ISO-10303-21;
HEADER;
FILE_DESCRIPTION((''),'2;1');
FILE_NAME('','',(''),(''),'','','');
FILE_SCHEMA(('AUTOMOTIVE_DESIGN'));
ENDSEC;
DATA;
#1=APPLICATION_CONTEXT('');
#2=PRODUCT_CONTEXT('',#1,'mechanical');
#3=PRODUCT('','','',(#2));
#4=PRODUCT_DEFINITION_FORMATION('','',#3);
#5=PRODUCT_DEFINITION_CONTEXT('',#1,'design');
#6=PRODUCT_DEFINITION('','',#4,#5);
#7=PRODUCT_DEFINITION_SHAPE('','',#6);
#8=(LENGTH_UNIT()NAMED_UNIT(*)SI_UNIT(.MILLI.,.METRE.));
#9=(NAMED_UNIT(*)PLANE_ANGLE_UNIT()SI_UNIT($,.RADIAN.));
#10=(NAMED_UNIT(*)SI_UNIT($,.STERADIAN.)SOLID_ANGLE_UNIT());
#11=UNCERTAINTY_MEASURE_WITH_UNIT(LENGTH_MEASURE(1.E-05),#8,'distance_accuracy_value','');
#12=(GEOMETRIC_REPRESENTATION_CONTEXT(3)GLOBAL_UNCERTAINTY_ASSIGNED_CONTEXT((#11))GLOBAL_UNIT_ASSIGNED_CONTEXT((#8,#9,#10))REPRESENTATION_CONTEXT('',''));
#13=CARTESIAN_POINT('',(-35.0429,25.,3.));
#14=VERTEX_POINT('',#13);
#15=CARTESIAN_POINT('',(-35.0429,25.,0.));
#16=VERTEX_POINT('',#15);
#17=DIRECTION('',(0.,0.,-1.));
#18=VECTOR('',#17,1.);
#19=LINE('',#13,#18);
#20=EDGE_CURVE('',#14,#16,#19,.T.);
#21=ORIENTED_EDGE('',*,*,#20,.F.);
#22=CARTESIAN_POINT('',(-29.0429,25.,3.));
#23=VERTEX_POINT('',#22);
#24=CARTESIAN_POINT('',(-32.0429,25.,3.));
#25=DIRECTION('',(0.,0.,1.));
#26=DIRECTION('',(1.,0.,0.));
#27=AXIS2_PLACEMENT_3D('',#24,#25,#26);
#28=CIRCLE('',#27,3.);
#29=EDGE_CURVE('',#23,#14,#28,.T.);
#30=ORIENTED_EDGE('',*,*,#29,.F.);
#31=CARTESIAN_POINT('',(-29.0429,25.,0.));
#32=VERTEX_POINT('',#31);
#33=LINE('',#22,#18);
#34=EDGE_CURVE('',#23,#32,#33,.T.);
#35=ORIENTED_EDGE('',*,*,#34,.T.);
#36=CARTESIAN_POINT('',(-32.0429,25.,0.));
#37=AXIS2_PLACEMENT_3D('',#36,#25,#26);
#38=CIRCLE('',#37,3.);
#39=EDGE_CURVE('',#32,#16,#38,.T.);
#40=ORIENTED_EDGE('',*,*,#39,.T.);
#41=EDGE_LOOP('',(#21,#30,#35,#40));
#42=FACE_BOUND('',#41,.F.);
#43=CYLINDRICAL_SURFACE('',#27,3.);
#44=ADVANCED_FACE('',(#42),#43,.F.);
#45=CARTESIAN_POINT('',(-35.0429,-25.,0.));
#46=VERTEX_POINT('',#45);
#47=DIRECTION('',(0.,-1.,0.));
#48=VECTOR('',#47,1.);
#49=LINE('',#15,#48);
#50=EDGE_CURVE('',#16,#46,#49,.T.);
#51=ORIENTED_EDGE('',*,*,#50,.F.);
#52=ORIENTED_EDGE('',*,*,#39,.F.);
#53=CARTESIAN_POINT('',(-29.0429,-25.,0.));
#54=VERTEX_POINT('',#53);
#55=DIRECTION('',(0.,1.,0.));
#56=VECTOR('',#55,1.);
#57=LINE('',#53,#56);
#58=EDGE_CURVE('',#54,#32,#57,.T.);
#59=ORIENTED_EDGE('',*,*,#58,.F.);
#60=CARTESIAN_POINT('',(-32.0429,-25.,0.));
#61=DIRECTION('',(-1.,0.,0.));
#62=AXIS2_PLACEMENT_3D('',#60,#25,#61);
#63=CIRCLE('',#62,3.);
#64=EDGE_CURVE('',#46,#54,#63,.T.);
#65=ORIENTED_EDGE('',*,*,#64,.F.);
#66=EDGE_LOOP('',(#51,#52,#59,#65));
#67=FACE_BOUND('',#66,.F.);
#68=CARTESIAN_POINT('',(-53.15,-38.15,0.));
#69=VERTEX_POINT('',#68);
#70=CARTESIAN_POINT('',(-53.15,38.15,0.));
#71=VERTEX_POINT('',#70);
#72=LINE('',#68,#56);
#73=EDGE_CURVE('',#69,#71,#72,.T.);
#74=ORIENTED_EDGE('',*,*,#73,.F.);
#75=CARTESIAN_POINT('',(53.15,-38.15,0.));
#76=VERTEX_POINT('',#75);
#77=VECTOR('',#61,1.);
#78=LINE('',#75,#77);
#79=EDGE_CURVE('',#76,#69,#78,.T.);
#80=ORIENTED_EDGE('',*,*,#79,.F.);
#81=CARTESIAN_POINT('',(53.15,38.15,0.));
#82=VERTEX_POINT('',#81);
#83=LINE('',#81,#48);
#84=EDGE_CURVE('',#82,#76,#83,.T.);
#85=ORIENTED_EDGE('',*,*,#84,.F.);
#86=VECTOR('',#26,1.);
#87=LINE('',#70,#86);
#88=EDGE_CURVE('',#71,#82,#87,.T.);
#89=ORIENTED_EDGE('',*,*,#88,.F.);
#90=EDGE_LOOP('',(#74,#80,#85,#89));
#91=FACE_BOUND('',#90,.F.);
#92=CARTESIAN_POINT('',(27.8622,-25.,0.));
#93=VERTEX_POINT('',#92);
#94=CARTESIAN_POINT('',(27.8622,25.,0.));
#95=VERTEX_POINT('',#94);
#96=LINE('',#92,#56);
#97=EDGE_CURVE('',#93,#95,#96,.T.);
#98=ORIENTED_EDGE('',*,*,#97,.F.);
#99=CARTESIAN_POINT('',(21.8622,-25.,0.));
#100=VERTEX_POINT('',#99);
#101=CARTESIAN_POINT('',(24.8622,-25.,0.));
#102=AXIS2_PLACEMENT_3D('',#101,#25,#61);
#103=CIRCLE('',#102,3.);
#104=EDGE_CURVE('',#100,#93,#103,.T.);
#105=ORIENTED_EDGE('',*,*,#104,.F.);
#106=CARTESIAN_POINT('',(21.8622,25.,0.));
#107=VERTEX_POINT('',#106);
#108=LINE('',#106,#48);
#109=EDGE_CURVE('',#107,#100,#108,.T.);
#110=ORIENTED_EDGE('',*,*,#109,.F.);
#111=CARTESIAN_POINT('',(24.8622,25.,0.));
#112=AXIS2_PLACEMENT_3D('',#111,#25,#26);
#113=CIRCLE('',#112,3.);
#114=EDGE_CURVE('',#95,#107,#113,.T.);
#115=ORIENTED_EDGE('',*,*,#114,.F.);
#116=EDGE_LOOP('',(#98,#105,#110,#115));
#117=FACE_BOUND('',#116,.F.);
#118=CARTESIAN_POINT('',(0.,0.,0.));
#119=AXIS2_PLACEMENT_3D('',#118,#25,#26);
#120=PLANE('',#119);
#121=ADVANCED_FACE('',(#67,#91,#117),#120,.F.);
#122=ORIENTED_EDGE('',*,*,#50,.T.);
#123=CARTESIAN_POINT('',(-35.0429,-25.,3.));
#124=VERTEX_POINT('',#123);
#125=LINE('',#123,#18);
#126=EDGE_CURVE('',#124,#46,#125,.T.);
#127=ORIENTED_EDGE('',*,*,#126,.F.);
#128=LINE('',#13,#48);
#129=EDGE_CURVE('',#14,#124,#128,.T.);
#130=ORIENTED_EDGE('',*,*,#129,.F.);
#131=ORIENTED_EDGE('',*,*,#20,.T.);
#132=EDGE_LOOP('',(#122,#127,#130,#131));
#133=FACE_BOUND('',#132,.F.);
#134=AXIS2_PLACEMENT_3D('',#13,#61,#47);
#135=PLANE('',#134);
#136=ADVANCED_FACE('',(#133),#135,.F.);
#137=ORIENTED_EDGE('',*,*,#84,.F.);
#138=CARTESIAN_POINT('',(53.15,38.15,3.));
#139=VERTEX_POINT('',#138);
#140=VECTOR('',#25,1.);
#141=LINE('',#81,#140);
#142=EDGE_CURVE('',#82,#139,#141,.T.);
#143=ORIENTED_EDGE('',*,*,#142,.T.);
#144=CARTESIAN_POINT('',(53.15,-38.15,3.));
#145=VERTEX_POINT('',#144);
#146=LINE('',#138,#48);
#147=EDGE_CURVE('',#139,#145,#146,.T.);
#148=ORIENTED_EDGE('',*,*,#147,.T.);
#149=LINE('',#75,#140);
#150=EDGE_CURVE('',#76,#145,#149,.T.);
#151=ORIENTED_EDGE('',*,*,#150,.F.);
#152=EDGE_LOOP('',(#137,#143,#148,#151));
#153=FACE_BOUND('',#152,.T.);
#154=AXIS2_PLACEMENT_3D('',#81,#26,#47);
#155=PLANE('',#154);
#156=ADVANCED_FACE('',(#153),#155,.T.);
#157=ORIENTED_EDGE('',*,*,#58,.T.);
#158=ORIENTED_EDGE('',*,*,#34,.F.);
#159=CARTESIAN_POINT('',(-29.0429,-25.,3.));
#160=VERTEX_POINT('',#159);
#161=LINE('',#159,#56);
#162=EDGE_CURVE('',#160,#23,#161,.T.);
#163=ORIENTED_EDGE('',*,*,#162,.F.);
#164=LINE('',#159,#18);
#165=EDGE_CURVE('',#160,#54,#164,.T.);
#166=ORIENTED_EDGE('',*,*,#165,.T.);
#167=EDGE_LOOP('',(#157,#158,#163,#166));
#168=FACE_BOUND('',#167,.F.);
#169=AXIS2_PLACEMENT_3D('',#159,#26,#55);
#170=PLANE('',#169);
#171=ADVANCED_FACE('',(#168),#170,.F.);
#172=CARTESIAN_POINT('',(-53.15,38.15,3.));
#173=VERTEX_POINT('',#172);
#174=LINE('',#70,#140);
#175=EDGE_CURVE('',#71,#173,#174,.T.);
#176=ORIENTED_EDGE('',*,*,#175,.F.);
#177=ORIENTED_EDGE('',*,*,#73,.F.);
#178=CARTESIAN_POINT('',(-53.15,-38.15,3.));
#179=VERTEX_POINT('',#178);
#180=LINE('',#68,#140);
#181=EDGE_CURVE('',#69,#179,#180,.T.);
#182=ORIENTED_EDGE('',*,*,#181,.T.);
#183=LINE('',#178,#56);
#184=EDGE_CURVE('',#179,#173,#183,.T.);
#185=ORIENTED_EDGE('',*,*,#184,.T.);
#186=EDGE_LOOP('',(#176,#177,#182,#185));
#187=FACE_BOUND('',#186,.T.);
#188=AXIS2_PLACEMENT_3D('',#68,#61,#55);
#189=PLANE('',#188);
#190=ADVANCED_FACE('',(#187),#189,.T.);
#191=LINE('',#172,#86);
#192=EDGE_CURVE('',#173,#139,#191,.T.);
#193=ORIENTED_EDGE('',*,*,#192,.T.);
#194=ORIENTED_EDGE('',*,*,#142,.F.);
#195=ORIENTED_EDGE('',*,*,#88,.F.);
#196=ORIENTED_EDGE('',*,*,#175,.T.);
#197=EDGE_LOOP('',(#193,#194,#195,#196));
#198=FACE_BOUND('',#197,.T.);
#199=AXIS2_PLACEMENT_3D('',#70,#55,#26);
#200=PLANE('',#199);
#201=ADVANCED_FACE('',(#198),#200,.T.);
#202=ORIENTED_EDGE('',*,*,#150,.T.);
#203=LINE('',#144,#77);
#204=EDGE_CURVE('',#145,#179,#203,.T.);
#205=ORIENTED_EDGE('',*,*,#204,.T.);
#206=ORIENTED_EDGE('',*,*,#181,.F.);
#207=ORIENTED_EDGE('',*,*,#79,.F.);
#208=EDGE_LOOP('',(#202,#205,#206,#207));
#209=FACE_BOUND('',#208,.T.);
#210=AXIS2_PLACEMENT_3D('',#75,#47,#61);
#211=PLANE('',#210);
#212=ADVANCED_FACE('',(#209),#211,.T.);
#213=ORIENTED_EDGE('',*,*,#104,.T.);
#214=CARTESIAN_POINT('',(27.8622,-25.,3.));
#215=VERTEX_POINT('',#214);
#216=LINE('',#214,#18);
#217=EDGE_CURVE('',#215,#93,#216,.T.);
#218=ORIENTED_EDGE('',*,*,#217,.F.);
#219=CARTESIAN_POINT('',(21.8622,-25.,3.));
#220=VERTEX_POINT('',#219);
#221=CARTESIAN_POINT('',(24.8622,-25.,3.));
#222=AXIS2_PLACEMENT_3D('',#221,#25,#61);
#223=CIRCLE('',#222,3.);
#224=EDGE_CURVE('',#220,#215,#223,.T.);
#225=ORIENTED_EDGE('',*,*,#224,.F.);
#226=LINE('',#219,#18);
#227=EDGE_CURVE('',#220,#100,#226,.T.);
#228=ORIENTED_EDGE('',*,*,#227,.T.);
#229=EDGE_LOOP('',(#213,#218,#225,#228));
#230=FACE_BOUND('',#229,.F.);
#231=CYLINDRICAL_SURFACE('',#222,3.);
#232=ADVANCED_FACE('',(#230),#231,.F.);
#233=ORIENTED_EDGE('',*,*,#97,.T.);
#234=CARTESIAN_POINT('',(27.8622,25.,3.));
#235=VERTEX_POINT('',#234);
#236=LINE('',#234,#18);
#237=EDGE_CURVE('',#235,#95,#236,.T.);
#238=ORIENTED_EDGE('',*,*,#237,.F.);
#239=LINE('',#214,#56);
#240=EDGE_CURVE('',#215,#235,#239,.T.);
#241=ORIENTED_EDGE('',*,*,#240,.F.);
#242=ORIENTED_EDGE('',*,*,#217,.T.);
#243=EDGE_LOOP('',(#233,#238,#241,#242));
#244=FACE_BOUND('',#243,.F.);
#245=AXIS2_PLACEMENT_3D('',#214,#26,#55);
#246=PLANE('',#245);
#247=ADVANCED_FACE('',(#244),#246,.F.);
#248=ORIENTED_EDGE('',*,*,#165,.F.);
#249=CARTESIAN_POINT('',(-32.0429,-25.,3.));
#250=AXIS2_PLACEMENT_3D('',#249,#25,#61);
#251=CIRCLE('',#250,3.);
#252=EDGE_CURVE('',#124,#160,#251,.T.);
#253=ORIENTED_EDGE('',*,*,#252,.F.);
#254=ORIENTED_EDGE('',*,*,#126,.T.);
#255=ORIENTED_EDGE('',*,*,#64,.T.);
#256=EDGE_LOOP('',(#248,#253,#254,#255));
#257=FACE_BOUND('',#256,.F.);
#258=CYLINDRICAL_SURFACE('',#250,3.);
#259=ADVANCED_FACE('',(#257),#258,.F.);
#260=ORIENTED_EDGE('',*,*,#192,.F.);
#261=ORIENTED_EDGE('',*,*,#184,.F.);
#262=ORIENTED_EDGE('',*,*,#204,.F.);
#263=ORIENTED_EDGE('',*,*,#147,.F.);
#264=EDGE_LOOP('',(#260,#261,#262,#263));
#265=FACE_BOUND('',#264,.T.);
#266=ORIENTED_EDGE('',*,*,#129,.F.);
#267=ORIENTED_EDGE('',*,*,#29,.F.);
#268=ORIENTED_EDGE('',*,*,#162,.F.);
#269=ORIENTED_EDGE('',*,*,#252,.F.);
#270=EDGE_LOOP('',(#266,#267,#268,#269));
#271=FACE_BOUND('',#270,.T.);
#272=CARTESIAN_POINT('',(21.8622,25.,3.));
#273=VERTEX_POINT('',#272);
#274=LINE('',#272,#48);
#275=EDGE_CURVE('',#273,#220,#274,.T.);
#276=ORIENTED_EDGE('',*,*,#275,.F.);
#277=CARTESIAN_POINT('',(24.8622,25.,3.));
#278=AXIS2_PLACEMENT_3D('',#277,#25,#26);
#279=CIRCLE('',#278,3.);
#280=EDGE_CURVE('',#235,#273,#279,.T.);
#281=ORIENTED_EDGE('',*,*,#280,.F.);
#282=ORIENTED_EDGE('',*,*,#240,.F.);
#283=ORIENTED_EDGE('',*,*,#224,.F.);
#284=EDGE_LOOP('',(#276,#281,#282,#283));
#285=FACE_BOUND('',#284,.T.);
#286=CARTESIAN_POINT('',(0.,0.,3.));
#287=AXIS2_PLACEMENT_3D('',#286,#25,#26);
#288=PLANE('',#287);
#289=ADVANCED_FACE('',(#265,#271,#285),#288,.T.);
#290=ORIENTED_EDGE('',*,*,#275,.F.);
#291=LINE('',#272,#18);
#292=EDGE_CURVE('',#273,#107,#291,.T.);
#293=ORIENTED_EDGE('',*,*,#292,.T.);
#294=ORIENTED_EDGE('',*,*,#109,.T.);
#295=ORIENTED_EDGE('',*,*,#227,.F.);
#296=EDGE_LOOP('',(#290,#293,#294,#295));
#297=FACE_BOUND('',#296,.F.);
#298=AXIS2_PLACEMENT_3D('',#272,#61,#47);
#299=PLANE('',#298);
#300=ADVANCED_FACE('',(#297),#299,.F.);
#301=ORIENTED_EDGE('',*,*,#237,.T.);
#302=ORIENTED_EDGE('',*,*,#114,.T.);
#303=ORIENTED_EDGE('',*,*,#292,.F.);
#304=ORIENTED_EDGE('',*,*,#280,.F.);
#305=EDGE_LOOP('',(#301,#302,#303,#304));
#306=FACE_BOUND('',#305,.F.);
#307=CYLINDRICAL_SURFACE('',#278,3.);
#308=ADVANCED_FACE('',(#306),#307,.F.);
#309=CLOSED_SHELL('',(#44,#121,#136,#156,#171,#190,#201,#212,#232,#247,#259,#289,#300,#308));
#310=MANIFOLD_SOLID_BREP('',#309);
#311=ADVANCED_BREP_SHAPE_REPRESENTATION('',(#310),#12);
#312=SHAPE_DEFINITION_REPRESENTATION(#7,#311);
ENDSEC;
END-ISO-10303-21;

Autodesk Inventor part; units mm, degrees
ref_plane "YZ Plane" through (0, 0, 0) normal (1, 0, 0) x (0, 1, 0)
ref_plane "XZ Plane" through (0, 0, 0) normal (0, 1, 0) x (-1, 0, 0)
ref_plane "XY Plane" through (0, 0, 0) normal (0, 0, 1) x (1, 0, 0)
sketch "草图1" plane through (0, 0, 0) normal (0, 0, 1) x (1, 0, 0)
  line L0 (53.15, -38.15) -> (-53.15, -38.15)
  line L1 (-53.15, -38.15) -> (-53.15, 38.15)
  line L2 (-53.15, 38.15) -> (53.15, 38.15)
  line L3 (53.15, 38.15) -> (53.15, -38.15)
  line L4 (53.15, -38.15) -> (-53.15, 38.15) construction
  line L5 (-53.15, -38.15) -> (53.15, 38.15) construction
  point P0 (0, 0)
  dimension "d0" = 106.3
  dimension "d1" = 76.3
extrude "拉伸1" add sketch "草图1" along normal blind 3
sketch "草图4" plane through (0, 0, 3) normal (0, 0, 1) x (1, 0, 0)
  line L0 (24.8622, 25) -> (24.8622, -25) construction
  line L1 (21.8622, 25) -> (21.8622, -25)
  line L2 (27.8622, -25) -> (27.8622, 25)
  arc A0 (27.8622, 25) -> (21.8622, 25) centre (24.8622, 25) ccw
  arc A1 (21.8622, -25) -> (27.8622, -25) centre (24.8622, -25) ccw
  line L3 (-32.0429, 25) -> (-32.0429, -25) construction
  line L4 (-35.0429, 25) -> (-35.0429, -25)
  line L5 (-29.0429, -25) -> (-29.0429, 25)
  arc A2 (-29.0429, 25) -> (-35.0429, 25) centre (-32.0429, 25) ccw
  arc A3 (-35.0429, -25) -> (-29.0429, -25) centre (-32.0429, -25) ccw
  point P0 (0, 0)
  point P1 (24.8622, 0)
  point P2 (-32.0429, 0)
  dimension "d4" = 50
  dimension "d5" = 6
  dimension "d6" = 50
  dimension "d7" = 6
extrude "拉伸2" cut sketch "草图4" against normal blind 3
